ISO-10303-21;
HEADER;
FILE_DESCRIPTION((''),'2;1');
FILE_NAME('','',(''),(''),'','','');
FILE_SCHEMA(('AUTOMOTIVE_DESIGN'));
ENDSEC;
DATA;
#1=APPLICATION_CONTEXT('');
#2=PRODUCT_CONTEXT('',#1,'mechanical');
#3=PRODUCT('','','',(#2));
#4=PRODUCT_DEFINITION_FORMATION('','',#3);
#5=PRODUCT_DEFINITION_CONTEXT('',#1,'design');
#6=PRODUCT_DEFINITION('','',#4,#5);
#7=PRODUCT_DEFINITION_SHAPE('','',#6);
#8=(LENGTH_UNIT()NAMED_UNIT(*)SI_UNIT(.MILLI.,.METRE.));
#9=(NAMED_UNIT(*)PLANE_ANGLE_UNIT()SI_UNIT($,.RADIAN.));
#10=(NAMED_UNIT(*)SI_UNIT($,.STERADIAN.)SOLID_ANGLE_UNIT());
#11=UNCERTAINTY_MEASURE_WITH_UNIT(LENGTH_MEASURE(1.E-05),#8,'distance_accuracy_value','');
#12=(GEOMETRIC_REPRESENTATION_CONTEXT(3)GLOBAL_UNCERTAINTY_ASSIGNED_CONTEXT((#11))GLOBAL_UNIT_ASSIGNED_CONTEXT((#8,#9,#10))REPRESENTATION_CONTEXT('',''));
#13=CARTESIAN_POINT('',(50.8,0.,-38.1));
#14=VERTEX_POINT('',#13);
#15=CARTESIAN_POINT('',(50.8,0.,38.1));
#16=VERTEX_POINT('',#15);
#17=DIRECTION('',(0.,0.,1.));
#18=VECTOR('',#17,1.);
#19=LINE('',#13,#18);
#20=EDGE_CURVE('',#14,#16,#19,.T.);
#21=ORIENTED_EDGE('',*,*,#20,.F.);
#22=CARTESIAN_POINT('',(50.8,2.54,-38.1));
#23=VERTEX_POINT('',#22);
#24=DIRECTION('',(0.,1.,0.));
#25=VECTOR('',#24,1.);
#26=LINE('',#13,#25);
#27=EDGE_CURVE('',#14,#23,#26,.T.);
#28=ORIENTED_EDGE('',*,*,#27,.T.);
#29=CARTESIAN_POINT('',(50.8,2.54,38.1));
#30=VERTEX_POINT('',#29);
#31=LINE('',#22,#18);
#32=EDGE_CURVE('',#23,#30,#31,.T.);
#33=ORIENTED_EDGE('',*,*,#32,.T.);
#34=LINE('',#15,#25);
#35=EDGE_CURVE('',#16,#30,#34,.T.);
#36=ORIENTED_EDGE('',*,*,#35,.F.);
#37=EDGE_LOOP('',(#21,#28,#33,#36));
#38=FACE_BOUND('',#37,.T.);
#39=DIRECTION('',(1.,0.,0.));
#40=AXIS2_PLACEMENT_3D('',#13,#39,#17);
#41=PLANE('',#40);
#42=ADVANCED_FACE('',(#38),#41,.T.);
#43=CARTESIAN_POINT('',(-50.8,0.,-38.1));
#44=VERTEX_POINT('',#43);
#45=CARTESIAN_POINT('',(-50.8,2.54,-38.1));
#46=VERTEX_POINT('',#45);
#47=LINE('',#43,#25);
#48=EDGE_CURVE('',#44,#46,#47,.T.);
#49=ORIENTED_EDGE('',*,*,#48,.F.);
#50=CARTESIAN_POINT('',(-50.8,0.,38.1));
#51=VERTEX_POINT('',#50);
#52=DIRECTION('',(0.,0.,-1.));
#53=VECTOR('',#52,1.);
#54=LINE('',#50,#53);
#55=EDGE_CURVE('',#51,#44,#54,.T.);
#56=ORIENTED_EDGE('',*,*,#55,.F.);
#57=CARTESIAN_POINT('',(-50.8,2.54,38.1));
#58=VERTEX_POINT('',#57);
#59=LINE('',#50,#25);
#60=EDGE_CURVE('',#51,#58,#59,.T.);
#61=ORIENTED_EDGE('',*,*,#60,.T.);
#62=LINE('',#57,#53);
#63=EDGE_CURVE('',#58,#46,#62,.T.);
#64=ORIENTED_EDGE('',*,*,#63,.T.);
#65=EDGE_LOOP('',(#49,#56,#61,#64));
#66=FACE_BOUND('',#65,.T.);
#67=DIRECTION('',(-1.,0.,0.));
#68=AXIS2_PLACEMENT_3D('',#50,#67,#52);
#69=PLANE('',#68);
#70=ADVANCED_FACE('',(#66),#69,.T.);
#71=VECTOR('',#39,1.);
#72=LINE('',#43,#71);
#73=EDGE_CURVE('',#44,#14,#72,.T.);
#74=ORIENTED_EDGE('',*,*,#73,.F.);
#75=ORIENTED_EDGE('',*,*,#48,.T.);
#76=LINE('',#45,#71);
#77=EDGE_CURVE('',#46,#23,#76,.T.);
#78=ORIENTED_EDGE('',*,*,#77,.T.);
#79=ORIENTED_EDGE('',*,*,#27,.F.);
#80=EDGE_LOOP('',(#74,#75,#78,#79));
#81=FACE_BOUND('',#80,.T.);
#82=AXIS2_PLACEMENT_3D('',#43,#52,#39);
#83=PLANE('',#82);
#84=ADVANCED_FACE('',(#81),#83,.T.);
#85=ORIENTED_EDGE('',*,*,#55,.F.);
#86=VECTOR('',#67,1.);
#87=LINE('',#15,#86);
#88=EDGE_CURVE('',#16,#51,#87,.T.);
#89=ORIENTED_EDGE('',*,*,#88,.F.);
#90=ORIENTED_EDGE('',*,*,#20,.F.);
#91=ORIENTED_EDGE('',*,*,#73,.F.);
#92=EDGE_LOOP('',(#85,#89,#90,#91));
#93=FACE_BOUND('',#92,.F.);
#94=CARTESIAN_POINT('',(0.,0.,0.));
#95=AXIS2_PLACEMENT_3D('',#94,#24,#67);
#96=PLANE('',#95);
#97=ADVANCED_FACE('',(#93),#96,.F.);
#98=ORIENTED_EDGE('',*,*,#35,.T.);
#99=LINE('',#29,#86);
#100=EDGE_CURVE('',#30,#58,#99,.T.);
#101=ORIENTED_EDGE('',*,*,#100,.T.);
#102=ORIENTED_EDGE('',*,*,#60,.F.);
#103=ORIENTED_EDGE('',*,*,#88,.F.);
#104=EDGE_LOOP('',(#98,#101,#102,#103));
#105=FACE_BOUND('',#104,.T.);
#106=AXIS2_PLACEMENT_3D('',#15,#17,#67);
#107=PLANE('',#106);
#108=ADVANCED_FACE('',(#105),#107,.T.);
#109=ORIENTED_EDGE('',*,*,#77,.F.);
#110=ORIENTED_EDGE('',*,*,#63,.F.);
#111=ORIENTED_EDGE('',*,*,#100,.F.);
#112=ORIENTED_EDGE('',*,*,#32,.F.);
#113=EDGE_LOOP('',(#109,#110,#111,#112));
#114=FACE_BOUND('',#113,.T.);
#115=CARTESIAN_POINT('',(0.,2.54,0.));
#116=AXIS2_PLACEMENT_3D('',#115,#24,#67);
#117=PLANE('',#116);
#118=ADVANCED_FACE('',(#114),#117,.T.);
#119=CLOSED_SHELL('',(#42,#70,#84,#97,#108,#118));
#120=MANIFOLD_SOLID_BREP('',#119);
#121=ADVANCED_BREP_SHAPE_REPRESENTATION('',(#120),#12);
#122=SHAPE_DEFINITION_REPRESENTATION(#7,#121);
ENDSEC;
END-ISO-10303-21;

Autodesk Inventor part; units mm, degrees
ref_plane "YZ Plane" through (0, 0, 0) normal (1, 0, 0) x (0, 1, 0)
ref_plane "XZ Plane" through (0, 0, 0) normal (0, 1, 0) x (-1, 0, 0)
ref_plane "XY Plane" through (0, 0, 0) normal (0, 0, 1) x (1, 0, 0)
sketch "Sketch1" plane through (0, 0, 0) normal (0, 1, 0) x (-1, 0, 0)
  line L0 (-50.8, 38.1) -> (50.8, 38.1)
  line L1 (50.8, 38.1) -> (50.8, -38.1)
  line L2 (50.8, -38.1) -> (-50.8, -38.1)
  line L3 (-50.8, -38.1) -> (-50.8, 38.1)
  line L4 (-50.8, 38.1) -> (50.8, -38.1) construction
  line L5 (50.8, 38.1) -> (-50.8, -38.1) construction
  point P0 (0, 0)
  dimension "d0" = 101.6
  dimension "d1" = 76.2
extrude "Extrusion1" add sketch "Sketch1" along normal blind 2.54
properties part number "Shield"
